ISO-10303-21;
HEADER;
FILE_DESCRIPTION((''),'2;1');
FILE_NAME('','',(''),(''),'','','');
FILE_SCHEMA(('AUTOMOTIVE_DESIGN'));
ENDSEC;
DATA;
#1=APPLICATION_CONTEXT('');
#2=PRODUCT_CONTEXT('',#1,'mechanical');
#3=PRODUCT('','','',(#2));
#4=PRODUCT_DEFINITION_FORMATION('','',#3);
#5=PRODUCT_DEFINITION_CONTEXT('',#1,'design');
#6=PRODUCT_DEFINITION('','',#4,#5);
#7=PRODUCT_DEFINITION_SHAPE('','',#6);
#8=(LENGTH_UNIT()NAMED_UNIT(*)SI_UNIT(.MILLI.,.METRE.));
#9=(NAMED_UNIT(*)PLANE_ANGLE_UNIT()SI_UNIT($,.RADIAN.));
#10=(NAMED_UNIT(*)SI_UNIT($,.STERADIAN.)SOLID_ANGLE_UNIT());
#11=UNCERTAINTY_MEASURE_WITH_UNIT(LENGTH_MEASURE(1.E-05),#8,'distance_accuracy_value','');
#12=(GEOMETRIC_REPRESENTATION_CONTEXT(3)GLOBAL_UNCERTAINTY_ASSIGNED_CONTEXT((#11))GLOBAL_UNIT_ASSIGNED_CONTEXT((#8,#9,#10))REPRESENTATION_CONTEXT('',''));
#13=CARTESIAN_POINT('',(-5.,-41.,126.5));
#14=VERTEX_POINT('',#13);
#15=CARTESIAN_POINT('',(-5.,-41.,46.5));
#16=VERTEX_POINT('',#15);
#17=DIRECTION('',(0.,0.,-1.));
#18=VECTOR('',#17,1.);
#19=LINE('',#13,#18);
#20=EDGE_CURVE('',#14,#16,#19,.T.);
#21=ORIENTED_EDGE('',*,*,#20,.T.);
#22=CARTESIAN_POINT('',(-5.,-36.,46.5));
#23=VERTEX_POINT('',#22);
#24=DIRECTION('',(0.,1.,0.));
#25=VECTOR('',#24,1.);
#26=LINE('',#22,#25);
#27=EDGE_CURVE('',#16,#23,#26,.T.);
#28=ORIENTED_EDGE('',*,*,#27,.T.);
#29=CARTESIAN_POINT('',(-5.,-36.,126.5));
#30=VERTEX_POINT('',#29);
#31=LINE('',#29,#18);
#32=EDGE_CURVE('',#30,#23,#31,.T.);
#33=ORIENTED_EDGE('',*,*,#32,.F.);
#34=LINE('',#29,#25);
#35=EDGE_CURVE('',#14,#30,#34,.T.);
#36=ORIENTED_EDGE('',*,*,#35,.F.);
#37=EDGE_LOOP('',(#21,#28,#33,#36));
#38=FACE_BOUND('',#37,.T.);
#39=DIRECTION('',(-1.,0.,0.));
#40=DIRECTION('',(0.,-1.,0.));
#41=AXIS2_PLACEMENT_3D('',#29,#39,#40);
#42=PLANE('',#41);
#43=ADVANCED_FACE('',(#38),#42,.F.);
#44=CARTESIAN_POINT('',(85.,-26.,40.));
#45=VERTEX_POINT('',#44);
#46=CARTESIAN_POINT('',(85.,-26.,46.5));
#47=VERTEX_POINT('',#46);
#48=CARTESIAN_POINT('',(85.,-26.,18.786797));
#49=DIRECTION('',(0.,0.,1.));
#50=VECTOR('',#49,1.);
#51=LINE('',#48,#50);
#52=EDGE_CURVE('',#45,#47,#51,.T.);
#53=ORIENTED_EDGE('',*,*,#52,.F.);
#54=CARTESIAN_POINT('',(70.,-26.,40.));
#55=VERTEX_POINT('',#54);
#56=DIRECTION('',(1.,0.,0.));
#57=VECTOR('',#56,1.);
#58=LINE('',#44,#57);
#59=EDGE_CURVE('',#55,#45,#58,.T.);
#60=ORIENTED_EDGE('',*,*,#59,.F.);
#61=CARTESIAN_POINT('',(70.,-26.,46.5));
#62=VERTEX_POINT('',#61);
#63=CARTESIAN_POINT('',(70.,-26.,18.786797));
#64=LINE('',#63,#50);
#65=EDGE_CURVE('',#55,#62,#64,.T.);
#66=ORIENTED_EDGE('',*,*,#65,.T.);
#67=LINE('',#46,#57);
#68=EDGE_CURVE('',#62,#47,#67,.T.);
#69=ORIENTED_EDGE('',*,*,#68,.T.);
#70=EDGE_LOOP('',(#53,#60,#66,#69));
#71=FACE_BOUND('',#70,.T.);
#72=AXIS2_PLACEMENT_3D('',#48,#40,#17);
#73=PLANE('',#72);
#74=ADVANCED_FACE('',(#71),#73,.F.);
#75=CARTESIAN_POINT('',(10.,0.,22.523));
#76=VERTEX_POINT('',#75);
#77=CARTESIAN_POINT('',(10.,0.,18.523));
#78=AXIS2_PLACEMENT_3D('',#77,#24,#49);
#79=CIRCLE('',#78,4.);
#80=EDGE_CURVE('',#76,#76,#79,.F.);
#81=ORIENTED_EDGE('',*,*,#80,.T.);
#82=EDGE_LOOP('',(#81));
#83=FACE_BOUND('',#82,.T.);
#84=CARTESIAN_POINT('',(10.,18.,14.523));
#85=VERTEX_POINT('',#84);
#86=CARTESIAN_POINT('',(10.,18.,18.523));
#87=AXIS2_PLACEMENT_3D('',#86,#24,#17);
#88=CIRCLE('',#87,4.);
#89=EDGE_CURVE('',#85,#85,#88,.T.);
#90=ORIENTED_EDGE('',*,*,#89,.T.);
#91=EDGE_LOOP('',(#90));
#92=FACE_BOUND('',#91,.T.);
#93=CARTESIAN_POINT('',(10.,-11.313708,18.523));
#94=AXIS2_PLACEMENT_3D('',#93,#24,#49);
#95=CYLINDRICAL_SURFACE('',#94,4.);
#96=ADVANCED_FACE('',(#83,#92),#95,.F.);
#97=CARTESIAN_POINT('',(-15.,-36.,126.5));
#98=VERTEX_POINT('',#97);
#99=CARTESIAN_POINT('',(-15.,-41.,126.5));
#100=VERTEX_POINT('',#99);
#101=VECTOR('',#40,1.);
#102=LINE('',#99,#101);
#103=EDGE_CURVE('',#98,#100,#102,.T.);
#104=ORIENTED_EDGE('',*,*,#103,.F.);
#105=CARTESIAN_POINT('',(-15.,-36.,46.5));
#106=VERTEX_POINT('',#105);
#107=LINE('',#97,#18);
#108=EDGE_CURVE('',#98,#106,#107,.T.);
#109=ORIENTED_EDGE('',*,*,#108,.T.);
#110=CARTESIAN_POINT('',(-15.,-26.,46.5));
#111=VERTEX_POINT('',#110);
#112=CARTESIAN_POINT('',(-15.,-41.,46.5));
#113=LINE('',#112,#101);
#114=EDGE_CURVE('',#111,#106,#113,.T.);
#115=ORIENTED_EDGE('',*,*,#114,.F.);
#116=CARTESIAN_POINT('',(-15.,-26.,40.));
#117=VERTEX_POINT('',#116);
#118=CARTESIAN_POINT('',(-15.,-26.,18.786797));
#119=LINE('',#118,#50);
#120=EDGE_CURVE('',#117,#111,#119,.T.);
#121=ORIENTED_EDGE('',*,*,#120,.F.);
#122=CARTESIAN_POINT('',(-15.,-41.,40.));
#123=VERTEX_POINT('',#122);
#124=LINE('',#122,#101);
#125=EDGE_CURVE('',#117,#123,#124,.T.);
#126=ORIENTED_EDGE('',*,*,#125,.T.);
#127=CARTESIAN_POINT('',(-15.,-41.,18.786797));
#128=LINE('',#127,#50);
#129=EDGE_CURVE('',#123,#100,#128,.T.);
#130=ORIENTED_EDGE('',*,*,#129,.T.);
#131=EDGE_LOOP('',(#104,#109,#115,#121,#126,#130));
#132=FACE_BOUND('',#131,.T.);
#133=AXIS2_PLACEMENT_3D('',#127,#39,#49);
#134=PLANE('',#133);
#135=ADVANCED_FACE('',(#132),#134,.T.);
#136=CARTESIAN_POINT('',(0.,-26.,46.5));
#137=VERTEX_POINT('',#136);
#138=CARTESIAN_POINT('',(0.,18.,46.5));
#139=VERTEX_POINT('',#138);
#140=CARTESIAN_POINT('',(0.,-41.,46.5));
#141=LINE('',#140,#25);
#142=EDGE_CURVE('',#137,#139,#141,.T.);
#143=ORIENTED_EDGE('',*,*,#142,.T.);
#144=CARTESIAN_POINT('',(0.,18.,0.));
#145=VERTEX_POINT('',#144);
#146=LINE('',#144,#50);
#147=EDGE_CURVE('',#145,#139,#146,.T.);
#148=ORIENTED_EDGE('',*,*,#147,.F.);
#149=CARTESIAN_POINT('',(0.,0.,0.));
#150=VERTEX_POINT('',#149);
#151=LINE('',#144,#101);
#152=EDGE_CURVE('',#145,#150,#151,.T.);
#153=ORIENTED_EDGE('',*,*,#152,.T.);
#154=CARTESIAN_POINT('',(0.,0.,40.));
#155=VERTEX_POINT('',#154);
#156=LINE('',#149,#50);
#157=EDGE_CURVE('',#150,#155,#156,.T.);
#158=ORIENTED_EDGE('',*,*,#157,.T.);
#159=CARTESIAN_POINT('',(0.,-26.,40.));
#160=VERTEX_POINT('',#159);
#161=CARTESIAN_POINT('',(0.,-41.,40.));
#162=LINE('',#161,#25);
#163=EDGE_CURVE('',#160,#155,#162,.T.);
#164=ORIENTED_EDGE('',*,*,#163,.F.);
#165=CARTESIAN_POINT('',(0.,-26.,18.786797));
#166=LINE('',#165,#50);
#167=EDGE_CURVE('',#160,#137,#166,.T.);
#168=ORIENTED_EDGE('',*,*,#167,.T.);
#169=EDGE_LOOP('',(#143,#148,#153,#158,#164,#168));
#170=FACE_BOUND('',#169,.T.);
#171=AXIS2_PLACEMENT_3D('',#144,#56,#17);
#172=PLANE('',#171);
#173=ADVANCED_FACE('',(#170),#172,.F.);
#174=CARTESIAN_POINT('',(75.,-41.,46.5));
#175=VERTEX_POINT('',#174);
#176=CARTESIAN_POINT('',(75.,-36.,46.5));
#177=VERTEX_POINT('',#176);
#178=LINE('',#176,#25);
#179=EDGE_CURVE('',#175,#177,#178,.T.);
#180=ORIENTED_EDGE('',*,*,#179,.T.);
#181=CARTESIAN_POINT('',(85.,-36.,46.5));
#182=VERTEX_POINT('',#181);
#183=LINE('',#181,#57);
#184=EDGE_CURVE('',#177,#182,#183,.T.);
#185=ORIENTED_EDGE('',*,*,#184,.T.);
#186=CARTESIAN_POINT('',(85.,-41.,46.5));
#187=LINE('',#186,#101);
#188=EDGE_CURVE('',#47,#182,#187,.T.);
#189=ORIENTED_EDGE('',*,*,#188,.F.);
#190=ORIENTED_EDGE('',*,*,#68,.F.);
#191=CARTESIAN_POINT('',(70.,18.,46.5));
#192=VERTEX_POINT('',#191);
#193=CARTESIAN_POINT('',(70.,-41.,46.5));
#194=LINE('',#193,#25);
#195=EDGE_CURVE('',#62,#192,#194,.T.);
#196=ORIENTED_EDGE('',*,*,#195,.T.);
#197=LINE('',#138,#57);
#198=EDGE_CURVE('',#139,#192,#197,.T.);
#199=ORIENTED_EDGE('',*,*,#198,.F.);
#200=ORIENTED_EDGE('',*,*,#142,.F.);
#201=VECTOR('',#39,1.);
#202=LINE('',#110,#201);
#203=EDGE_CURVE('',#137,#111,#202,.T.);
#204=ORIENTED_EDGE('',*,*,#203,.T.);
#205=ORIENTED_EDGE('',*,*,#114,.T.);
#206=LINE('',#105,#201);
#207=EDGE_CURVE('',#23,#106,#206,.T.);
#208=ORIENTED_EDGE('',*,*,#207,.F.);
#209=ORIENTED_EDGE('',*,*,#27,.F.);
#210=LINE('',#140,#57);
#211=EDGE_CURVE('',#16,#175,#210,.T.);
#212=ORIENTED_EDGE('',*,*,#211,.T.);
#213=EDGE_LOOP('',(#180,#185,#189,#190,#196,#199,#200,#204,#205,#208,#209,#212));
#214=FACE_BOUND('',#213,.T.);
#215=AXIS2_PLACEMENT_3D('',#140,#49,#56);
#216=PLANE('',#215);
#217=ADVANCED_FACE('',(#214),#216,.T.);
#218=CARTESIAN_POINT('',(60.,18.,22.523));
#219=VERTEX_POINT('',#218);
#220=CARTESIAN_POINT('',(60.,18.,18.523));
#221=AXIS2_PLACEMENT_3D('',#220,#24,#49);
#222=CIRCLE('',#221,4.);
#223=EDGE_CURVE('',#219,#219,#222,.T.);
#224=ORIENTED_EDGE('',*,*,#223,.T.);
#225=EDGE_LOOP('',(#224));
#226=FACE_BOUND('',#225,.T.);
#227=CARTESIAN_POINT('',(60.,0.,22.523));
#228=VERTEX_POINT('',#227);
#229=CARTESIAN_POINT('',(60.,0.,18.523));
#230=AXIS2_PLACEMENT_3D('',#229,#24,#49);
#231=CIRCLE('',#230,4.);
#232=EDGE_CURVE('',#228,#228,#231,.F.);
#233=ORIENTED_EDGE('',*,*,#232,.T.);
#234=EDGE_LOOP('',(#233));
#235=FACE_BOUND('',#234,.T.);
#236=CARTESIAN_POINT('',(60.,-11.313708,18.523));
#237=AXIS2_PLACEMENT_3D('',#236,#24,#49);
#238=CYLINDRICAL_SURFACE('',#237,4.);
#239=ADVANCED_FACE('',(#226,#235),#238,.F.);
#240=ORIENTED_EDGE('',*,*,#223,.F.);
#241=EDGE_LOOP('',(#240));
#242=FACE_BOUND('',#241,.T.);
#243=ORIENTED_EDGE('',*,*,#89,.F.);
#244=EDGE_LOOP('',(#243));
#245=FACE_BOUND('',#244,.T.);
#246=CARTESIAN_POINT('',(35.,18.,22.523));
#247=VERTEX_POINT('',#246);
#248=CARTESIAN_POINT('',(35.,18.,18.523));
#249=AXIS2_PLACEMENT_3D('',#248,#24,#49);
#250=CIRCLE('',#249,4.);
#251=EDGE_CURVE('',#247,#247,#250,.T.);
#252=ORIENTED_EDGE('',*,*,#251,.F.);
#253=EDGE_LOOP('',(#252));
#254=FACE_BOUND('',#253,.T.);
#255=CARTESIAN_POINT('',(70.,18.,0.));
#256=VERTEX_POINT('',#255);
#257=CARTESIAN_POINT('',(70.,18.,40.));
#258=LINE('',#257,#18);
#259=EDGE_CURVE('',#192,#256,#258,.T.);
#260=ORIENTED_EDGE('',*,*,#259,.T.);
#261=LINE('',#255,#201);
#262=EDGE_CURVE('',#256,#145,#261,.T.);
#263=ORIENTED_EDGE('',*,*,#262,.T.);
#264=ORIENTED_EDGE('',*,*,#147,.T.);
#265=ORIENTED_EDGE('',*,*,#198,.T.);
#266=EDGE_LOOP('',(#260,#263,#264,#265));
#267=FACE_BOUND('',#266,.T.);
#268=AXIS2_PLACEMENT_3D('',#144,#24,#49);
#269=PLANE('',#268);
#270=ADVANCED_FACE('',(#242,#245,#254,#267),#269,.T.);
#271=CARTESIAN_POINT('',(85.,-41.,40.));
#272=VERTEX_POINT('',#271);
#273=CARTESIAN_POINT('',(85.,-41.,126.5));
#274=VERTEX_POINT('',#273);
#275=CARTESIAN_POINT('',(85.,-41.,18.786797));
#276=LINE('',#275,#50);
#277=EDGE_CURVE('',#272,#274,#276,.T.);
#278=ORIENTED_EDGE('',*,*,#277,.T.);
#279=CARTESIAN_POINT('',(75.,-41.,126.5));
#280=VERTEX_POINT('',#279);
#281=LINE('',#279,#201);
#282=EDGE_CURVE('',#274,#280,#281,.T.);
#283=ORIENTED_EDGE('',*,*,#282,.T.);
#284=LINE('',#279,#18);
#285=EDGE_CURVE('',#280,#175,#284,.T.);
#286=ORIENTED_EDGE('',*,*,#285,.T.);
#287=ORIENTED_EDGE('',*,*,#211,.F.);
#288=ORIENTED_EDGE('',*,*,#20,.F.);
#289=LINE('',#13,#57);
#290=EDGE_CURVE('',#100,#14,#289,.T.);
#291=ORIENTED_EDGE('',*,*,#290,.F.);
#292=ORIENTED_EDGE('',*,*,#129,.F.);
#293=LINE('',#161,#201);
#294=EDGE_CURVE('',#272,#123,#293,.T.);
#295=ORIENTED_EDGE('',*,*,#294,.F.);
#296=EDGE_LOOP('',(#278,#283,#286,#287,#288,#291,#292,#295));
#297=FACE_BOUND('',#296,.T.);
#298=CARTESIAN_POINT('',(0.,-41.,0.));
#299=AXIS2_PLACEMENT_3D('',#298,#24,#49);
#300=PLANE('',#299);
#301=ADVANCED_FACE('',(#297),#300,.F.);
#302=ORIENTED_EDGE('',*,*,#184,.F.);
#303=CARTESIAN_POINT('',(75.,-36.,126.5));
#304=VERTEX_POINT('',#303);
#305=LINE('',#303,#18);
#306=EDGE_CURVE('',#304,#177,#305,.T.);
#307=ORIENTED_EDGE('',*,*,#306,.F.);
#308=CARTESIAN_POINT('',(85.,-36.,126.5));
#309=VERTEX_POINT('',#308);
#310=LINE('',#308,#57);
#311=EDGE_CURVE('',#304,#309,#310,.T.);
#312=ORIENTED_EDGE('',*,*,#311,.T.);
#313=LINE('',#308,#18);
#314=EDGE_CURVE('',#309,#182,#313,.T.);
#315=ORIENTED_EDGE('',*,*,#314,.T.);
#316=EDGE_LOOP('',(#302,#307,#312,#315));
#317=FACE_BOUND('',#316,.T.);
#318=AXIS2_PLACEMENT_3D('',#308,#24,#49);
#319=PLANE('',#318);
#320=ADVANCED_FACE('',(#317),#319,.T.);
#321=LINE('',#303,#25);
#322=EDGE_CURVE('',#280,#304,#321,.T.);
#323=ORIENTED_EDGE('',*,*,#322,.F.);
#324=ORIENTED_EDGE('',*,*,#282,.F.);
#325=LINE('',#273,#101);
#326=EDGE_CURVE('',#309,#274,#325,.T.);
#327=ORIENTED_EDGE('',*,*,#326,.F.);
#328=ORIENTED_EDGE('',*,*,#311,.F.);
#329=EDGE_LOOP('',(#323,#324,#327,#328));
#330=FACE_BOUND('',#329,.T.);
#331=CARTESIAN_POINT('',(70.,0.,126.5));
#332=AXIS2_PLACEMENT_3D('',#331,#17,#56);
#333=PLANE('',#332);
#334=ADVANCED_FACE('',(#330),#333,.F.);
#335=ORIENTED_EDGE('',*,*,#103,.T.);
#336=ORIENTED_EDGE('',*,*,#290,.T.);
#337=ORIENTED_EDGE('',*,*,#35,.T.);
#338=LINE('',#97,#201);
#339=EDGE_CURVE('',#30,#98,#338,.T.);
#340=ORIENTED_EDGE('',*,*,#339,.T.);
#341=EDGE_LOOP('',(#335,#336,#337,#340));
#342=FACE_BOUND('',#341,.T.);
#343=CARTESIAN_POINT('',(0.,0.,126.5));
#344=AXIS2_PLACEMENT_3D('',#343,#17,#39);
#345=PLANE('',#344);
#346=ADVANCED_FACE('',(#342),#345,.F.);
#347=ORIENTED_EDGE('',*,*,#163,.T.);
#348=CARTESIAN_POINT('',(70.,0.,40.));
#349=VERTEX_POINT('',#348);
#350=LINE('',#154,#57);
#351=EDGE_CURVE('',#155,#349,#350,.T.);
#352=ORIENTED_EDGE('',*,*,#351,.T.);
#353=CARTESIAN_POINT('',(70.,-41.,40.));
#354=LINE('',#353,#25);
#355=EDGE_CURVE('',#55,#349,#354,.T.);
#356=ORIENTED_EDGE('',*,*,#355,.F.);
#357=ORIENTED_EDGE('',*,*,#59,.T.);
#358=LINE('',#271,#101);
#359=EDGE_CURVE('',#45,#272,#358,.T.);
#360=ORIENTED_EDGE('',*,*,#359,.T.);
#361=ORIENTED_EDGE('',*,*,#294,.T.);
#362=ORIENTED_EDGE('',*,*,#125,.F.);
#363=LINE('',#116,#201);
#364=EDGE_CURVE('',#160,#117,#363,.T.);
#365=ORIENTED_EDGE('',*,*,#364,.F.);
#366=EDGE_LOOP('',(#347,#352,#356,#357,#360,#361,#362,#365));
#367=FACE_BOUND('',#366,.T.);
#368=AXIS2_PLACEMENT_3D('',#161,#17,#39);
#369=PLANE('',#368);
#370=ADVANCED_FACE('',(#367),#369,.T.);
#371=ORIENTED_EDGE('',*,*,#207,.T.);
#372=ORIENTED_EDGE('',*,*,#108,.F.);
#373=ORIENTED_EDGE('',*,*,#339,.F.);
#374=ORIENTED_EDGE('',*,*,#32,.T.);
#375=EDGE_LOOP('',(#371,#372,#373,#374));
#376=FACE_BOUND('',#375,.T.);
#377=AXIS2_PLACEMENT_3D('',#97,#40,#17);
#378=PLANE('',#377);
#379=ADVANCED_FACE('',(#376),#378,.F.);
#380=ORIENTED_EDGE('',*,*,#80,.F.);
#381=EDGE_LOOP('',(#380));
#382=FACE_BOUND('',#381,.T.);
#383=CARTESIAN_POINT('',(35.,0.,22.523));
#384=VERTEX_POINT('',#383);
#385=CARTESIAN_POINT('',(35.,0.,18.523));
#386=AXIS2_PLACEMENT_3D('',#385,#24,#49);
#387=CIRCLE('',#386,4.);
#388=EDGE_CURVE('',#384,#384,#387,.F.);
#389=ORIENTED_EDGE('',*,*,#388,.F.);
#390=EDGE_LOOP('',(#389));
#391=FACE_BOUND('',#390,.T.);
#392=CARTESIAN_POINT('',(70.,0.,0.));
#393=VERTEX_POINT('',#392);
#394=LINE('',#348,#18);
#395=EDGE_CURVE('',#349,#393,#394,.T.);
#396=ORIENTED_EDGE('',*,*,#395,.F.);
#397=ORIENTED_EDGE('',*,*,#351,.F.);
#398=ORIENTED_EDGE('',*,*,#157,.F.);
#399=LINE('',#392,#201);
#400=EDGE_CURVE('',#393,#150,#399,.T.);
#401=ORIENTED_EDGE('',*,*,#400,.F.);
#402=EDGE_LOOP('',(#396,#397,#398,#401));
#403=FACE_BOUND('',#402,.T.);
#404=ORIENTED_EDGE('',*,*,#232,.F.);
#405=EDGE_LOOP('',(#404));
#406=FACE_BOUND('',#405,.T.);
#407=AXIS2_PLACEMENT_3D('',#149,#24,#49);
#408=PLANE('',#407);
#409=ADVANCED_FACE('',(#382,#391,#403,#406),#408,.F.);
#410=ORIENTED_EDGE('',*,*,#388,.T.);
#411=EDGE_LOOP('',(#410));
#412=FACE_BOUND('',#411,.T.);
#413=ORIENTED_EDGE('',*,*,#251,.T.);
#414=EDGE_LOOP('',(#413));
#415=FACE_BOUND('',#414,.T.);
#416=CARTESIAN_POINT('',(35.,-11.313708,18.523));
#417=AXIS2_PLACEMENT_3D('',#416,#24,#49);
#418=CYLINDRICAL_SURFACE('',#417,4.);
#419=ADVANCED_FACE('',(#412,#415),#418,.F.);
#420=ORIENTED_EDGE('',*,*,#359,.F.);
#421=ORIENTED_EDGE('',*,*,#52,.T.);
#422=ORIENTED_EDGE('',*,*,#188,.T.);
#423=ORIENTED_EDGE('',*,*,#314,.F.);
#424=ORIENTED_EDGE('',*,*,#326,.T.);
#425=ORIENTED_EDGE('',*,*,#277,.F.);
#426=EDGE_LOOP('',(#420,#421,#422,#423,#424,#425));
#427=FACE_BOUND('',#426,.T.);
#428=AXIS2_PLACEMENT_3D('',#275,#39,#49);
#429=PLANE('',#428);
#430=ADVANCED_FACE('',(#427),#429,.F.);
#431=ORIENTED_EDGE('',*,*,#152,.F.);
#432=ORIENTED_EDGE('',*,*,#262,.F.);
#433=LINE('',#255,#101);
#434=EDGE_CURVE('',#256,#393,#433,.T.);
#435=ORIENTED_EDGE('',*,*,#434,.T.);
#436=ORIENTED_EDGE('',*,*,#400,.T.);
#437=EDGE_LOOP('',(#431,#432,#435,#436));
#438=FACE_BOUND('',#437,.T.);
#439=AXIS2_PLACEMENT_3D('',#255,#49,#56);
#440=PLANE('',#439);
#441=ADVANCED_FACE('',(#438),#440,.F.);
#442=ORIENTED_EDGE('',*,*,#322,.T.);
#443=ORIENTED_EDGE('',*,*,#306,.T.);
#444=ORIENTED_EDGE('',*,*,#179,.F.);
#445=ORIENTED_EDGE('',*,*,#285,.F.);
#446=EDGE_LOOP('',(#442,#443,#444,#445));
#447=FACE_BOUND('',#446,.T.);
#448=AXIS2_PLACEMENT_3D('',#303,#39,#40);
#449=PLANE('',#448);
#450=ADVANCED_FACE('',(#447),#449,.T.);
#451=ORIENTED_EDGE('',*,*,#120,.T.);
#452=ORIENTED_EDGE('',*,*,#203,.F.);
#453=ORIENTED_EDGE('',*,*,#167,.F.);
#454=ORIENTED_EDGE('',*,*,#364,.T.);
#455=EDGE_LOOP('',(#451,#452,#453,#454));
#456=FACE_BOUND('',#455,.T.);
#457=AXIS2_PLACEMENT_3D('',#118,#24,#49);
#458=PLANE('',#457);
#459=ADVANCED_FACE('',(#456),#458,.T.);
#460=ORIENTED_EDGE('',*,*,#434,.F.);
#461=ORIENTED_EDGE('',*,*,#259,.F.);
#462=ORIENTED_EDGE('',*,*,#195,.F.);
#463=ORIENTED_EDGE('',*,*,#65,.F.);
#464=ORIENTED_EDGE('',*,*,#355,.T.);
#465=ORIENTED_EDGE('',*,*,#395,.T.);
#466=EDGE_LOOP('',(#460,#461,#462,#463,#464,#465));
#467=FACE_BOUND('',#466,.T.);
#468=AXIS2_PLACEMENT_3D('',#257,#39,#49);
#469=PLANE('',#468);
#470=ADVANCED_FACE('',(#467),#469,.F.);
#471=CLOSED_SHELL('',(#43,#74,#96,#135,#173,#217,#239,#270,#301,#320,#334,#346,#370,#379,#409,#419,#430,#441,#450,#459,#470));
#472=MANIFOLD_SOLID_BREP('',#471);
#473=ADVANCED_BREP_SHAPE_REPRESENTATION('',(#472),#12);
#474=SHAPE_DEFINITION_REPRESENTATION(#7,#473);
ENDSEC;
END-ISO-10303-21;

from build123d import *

# Parameters (mm, degrees)
SKETCH_1_W          = 70
SKETCH_1_H          = 40
EXTRUDE_1_DEPTH     = 18
SKETCH_3_W          = 70
SKETCH_3_H          = 6.5
EXTRUDE_2_DEPTH     = 59
SKETCH_4_W          = 15
SKETCH_4_H          = 15
EXTRUDE_3_DEPTH     = 6.5
SKETCH_5_W          = 10
SKETCH_5_H          = 5
EXTRUDE_4_DEPTH     = 80
SKETCH_7_R          = 4
CUT_EXTRUDE_1_DEPTH = 18


with BuildPart() as part:
    # 草图1 → 凸台-拉伸1 (new body)
    with BuildSketch(Plane(origin=(0, 0, 0), x_dir=(1, 0, 0), z_dir=(0, 1, 0))):
        with Locations((35, -20)):
            Rectangle(SKETCH_1_W, SKETCH_1_H)
    extrude(amount=EXTRUDE_1_DEPTH)

    # 草图3 → 凸台-拉伸2 (add)
    with BuildSketch(Plane(origin=(0, 18, 0), x_dir=(1, 0, 0), z_dir=(0, 1, 0))):
        with Locations((35, -43.25)):
            Rectangle(SKETCH_3_W, SKETCH_3_H)
    extrude(amount=-EXTRUDE_2_DEPTH)

    # 草图4 → 凸台-拉伸3 (add)
    with BuildSketch(Plane.XY.offset(46.5)):
        with Locations((-7.5, -33.5)):
            Rectangle(SKETCH_4_W, SKETCH_4_H)
    extrude_3 = extrude(amount=-EXTRUDE_3_DEPTH)

    # 镜向1: 凸台-拉伸3 across plane
    add(extrude_3.mirror(Plane(origin=(35, 0, 0), x_dir=(0, 0, 1), z_dir=(1, 0, 0))))

    # 草图5 → 凸台-拉伸4 (add)
    with BuildSketch(Plane.XY.offset(46.5)):
        with Locations((-10, -38.5)):
            Rectangle(SKETCH_5_W, SKETCH_5_H)
    extrude_4 = extrude(amount=EXTRUDE_4_DEPTH)

    # 镜向2: 凸台-拉伸4 across plane
    add(extrude_4.mirror(Plane(origin=(35, 0, 0), x_dir=(0, 0, 1), z_dir=(1, 0, 0))))

    # 草图7 → 切除-拉伸1 (cut)
    with BuildSketch(Plane(origin=(0, 18, 0), x_dir=(1, 0, 0), z_dir=(0, 1, 0))):
        with Locations(Location((35, -18.523, 0), (0, 0, 270))):
            Circle(SKETCH_7_R)
        with Locations(Location((60, -18.523, 0), (0, 0, 270))):
            Circle(SKETCH_7_R)
        with Locations(Location((10, -18.523, 0), (0, 0, 270))):
            Circle(SKETCH_7_R)
    extrude(amount=-CUT_EXTRUDE_1_DEPTH, mode=Mode.SUBTRACT)


solid = part.part
